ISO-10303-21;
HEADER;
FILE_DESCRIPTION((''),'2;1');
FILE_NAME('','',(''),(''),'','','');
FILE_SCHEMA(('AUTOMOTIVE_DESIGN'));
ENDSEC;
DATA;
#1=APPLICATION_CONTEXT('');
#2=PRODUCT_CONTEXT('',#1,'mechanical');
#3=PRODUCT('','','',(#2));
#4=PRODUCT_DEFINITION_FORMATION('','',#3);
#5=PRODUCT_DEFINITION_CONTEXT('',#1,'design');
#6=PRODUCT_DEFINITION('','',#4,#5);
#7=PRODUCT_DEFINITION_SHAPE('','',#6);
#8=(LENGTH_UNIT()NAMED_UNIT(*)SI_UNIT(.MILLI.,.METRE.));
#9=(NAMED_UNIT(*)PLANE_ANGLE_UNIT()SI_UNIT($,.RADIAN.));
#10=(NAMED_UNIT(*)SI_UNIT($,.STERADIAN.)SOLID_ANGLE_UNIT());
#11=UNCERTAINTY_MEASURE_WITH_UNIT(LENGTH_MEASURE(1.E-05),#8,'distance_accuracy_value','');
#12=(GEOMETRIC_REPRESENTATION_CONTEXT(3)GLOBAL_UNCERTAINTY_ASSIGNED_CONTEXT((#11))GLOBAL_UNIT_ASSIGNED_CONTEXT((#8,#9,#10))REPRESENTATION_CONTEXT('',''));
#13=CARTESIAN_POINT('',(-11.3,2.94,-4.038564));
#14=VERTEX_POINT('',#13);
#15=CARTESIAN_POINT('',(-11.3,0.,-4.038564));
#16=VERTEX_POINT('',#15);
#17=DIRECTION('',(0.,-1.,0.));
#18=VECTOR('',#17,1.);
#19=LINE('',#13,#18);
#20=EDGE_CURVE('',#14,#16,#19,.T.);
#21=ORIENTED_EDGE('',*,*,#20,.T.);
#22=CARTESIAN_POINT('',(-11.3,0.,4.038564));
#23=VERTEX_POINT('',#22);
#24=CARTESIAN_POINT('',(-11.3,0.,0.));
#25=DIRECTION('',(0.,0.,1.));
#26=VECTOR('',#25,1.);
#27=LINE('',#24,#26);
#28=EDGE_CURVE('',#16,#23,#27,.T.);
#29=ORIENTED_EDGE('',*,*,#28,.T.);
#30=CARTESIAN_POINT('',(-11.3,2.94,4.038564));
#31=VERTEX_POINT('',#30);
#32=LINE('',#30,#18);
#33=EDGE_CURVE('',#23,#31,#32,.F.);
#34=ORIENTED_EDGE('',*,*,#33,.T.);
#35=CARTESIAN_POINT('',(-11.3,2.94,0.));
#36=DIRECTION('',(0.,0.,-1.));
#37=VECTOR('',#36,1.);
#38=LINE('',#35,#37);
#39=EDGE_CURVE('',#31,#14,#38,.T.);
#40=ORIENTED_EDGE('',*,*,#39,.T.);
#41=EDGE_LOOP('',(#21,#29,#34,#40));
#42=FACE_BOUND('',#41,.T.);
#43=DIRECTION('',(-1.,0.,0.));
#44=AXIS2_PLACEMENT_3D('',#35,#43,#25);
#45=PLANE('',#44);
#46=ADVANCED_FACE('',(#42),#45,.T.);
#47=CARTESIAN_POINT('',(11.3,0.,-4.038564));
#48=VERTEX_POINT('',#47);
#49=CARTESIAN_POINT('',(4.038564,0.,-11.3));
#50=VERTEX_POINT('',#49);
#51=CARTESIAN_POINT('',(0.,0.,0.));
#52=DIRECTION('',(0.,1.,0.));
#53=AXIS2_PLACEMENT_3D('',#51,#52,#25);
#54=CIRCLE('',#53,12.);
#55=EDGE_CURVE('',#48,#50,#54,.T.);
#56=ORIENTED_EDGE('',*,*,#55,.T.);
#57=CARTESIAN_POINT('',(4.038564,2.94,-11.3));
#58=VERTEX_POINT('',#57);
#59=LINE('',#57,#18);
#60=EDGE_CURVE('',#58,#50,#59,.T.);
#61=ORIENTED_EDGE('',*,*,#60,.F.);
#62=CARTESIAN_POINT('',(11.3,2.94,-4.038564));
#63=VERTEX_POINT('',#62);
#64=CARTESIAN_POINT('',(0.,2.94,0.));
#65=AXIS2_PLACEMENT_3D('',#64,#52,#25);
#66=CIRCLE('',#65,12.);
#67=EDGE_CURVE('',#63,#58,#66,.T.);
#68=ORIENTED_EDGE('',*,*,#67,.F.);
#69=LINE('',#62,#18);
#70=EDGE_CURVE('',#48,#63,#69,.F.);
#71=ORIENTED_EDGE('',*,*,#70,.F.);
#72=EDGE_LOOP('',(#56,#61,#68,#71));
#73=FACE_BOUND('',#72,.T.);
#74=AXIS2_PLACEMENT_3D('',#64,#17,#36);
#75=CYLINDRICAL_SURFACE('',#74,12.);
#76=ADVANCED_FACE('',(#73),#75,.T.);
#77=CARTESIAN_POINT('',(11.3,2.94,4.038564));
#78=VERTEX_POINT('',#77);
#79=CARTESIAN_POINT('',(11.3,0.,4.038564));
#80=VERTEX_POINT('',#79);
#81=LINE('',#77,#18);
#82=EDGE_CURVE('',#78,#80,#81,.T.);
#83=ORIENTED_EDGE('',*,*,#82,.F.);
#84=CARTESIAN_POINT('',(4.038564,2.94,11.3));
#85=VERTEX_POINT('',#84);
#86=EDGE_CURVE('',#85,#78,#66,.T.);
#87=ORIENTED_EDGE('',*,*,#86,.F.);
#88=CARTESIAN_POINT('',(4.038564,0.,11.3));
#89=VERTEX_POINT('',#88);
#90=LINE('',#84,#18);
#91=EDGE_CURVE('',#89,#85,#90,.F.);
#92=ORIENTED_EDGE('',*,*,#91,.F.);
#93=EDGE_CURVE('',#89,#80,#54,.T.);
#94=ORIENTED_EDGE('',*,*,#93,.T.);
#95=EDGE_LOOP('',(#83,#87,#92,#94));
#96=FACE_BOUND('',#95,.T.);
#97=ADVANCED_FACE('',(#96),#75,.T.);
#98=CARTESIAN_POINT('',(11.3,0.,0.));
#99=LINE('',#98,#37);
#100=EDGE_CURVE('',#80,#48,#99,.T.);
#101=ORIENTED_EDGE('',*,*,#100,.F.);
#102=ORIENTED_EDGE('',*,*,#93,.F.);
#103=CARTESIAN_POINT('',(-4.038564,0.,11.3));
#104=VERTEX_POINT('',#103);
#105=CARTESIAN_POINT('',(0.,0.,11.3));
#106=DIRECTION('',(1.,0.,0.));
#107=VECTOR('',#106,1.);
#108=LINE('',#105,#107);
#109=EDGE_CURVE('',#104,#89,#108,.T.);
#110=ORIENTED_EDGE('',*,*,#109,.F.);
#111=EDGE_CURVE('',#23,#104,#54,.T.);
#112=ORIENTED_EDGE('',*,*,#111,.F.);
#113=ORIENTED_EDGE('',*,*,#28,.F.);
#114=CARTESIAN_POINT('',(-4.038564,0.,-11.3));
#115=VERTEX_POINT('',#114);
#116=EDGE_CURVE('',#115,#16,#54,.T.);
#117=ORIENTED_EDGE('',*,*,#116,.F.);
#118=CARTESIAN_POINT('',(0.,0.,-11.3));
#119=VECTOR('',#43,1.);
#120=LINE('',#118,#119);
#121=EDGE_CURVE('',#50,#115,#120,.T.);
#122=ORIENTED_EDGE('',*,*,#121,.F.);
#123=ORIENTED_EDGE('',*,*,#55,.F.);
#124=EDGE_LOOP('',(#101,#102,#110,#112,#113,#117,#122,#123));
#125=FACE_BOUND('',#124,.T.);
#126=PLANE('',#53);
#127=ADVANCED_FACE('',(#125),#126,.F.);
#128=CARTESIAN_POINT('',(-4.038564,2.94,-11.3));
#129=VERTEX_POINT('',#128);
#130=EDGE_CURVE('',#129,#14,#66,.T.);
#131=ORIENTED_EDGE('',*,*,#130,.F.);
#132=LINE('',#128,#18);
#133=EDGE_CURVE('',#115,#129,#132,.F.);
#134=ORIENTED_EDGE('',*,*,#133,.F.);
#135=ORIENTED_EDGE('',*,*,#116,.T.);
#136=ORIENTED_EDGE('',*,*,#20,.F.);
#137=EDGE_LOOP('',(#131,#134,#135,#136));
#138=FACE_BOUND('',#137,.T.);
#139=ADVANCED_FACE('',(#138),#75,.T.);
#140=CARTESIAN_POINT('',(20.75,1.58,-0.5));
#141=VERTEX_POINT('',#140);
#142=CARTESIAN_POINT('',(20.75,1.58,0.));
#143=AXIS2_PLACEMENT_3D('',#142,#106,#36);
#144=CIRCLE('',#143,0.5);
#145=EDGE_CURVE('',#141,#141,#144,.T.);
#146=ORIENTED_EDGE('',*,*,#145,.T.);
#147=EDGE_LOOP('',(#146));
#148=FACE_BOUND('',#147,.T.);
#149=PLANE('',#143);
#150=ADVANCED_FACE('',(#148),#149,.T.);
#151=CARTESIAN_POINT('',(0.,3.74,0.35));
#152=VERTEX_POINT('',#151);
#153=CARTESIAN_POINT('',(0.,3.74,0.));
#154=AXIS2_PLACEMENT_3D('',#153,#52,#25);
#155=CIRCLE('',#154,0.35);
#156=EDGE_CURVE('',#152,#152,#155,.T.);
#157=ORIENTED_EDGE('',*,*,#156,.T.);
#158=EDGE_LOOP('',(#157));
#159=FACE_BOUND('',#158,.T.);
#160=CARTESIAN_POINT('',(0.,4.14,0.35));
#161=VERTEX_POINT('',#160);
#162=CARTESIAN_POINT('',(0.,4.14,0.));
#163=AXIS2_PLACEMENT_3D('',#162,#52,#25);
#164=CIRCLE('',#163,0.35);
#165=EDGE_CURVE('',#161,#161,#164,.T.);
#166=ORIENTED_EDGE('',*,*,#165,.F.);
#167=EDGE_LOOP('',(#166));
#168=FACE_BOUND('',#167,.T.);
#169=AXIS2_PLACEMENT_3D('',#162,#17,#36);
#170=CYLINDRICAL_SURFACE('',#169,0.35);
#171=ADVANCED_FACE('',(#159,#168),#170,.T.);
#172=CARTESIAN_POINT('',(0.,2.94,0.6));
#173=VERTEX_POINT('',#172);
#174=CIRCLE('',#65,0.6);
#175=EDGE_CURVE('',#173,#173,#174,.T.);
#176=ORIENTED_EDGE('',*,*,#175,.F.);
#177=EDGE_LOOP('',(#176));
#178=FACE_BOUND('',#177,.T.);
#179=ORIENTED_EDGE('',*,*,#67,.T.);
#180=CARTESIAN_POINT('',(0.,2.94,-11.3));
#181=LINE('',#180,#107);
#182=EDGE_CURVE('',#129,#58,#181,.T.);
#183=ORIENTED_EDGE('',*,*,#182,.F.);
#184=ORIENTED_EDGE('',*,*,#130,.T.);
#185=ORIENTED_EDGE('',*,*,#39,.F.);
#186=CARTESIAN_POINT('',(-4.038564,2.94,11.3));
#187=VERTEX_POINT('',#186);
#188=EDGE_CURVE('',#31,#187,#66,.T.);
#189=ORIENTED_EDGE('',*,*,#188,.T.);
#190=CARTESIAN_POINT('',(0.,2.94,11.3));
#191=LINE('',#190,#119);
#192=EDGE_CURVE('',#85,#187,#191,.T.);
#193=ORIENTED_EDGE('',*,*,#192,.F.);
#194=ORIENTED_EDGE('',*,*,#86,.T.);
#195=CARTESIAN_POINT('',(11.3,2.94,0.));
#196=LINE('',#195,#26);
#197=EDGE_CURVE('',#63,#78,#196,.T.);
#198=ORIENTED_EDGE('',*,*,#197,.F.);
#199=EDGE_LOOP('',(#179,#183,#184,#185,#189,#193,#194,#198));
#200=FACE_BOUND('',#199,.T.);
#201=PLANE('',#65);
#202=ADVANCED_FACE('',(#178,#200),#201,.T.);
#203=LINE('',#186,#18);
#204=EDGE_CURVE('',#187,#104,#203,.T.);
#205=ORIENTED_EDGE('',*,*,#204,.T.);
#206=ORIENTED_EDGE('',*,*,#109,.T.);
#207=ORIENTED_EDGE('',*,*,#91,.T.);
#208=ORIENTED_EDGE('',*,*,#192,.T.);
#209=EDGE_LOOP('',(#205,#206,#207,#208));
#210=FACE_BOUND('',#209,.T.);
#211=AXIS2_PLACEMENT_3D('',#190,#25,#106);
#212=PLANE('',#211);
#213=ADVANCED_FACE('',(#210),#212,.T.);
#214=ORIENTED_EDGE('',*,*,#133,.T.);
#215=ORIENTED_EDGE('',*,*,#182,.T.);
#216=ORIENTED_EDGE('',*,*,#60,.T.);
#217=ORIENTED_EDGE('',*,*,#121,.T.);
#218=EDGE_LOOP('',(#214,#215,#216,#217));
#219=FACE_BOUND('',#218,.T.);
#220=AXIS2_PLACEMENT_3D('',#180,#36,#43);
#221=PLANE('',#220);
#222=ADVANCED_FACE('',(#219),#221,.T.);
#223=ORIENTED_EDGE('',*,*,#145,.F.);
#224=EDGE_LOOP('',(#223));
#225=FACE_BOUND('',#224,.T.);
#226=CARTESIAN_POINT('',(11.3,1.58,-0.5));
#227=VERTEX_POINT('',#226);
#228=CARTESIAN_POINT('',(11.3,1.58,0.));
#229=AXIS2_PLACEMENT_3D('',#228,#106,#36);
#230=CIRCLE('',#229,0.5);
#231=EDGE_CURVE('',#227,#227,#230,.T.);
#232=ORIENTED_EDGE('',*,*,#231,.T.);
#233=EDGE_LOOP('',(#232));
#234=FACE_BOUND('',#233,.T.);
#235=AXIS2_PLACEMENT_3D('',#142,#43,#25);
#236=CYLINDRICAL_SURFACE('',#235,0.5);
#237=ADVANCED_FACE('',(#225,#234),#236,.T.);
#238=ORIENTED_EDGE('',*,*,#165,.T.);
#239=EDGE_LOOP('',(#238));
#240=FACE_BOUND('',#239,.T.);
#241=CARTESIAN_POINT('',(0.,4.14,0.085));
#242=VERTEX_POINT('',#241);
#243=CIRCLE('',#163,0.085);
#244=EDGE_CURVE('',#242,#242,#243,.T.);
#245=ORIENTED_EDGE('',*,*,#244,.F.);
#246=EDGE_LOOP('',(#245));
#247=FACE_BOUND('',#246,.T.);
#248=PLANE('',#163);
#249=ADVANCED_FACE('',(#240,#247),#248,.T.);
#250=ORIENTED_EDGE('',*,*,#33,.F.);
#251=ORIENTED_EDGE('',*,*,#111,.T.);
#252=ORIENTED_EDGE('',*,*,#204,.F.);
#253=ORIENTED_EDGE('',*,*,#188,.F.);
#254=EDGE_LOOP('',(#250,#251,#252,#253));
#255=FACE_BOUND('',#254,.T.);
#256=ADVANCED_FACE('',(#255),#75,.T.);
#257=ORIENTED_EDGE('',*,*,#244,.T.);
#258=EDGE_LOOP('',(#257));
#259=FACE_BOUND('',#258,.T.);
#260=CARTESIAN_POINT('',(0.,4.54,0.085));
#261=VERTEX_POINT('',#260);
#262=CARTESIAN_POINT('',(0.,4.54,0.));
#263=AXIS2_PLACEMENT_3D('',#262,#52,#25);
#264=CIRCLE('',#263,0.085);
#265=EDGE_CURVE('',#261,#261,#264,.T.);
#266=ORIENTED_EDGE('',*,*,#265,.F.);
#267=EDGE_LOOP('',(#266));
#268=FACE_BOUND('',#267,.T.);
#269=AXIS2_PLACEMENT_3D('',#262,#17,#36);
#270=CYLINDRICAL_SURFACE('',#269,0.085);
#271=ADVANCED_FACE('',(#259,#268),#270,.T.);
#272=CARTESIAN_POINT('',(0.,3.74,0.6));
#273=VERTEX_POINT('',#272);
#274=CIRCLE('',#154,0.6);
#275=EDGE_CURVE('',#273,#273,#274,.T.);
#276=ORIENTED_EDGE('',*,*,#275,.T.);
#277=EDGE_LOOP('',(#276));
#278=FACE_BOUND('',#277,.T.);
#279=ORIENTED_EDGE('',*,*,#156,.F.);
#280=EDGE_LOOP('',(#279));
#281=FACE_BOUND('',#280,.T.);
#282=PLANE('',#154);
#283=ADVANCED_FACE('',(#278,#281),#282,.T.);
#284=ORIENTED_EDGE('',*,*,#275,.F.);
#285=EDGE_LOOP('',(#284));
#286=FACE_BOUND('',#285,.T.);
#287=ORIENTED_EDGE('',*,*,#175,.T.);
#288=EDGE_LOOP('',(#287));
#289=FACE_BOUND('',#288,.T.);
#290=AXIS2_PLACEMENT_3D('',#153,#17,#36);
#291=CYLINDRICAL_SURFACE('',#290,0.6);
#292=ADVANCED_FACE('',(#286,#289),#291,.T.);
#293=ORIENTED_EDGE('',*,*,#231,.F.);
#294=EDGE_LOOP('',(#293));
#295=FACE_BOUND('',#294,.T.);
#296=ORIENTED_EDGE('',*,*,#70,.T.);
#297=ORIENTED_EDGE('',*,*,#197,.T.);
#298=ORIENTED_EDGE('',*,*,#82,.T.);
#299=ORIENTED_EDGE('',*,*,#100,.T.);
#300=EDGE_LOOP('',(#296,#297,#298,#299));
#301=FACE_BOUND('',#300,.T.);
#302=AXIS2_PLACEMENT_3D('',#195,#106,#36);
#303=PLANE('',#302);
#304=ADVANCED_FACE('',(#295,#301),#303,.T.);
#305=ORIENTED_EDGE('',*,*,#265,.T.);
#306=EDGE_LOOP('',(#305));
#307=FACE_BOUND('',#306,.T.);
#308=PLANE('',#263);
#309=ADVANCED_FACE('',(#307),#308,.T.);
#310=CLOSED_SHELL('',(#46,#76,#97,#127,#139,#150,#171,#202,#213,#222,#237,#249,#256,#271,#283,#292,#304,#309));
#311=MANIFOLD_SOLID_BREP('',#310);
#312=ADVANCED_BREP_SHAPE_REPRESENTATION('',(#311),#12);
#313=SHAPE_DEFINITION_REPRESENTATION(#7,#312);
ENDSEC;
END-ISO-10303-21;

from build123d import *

# Parameters (mm, degrees)
SKETCH1_R           = 12
BOSS_EXTRUDE1_DEPTH = 2.94
CUT_EXTRUDE1_DEPTH  = 2.94
CUT_EXTRUDE2_DEPTH  = 2.94
SKETCH7_R           = 0.5
BOSS_EXTRUDE4_DEPTH = 9.45
SKETCH8_R           = 0.6
BOSS_EXTRUDE5_DEPTH = 0.8
SKETCH9_R           = 0.35
BOSS_EXTRUDE6_DEPTH = 0.4
SKETCH10_R          = 0.085
BOSS_EXTRUDE7_DEPTH = 0.4


with BuildPart() as part:
    # Sketch1 → Boss-Extrude1 (new body)
    with BuildSketch(Plane(origin=(0, 0, 0), x_dir=(1, 0, 0), z_dir=(0, 1, 0))):
        Circle(SKETCH1_R)
    extrude(amount=BOSS_EXTRUDE1_DEPTH)

    # Sketch2 → Cut-Extrude1 (cut)
    with BuildSketch(Plane(origin=(0, 0, 0), x_dir=(1, 0, 0), z_dir=(0, 1, 0))):
        Polygon((-11.3, 0), (-11.3, 4.756450674), (-12.628390715, 4.756450674), (-12.628390715, -4.839844075), (-11.3, -4.839844075), align=None)
        Polygon((12.628390715, -4.839844075), (12.628390715, 4.756450674), (11.3, 4.756450674), (11.3, 0), (11.3, -4.839844075), align=None)
    extrude(amount=CUT_EXTRUDE1_DEPTH, mode=Mode.SUBTRACT)

    # Sketch3 → Cut-Extrude2 (cut)
    with BuildSketch(Plane(origin=(0, 0, 0), x_dir=(1, 0, 0), z_dir=(0, 1, 0))):
        Polygon((0, -11.3), (4.998184115, -11.3), (4.998184115, -12.991968643), (-5.196787457, -12.991968643), (-5.196787457, -11.3), align=None)
        Polygon((-5.196787457, 12.991968643), (4.998184115, 12.991968643), (4.998184115, 11.3), (0, 11.3), (-5.196787457, 11.3), align=None)
    extrude(amount=CUT_EXTRUDE2_DEPTH, mode=Mode.SUBTRACT)

    # Sketch7 → Boss-Extrude4 (add)
    with BuildSketch(Plane(origin=(11.3, 0, 0), x_dir=(0, 0, -1), z_dir=(1, 0, 0))):
        with Locations((0, 1.58)):
            Circle(SKETCH7_R)
    extrude(amount=BOSS_EXTRUDE4_DEPTH)

    # Sketch8 → Boss-Extrude5 (add)
    with BuildSketch(Plane(origin=(0, 2.94, 0), x_dir=(1, 0, 0), z_dir=(0, 1, 0))):
        Circle(SKETCH8_R)
    extrude(amount=BOSS_EXTRUDE5_DEPTH)

    # Sketch9 → Boss-Extrude6 (add)
    with BuildSketch(Plane(origin=(0, 3.74, 0), x_dir=(1, 0, 0), z_dir=(0, 1, 0))):
        Circle(SKETCH9_R)
    extrude(amount=BOSS_EXTRUDE6_DEPTH)

    # Sketch10 → Boss-Extrude7 (add)
    with BuildSketch(Plane(origin=(0, 4.14, 0), x_dir=(1, 0, 0), z_dir=(0, 1, 0))):
        Circle(SKETCH10_R)
    extrude(amount=BOSS_EXTRUDE7_DEPTH)


solid = part.part
